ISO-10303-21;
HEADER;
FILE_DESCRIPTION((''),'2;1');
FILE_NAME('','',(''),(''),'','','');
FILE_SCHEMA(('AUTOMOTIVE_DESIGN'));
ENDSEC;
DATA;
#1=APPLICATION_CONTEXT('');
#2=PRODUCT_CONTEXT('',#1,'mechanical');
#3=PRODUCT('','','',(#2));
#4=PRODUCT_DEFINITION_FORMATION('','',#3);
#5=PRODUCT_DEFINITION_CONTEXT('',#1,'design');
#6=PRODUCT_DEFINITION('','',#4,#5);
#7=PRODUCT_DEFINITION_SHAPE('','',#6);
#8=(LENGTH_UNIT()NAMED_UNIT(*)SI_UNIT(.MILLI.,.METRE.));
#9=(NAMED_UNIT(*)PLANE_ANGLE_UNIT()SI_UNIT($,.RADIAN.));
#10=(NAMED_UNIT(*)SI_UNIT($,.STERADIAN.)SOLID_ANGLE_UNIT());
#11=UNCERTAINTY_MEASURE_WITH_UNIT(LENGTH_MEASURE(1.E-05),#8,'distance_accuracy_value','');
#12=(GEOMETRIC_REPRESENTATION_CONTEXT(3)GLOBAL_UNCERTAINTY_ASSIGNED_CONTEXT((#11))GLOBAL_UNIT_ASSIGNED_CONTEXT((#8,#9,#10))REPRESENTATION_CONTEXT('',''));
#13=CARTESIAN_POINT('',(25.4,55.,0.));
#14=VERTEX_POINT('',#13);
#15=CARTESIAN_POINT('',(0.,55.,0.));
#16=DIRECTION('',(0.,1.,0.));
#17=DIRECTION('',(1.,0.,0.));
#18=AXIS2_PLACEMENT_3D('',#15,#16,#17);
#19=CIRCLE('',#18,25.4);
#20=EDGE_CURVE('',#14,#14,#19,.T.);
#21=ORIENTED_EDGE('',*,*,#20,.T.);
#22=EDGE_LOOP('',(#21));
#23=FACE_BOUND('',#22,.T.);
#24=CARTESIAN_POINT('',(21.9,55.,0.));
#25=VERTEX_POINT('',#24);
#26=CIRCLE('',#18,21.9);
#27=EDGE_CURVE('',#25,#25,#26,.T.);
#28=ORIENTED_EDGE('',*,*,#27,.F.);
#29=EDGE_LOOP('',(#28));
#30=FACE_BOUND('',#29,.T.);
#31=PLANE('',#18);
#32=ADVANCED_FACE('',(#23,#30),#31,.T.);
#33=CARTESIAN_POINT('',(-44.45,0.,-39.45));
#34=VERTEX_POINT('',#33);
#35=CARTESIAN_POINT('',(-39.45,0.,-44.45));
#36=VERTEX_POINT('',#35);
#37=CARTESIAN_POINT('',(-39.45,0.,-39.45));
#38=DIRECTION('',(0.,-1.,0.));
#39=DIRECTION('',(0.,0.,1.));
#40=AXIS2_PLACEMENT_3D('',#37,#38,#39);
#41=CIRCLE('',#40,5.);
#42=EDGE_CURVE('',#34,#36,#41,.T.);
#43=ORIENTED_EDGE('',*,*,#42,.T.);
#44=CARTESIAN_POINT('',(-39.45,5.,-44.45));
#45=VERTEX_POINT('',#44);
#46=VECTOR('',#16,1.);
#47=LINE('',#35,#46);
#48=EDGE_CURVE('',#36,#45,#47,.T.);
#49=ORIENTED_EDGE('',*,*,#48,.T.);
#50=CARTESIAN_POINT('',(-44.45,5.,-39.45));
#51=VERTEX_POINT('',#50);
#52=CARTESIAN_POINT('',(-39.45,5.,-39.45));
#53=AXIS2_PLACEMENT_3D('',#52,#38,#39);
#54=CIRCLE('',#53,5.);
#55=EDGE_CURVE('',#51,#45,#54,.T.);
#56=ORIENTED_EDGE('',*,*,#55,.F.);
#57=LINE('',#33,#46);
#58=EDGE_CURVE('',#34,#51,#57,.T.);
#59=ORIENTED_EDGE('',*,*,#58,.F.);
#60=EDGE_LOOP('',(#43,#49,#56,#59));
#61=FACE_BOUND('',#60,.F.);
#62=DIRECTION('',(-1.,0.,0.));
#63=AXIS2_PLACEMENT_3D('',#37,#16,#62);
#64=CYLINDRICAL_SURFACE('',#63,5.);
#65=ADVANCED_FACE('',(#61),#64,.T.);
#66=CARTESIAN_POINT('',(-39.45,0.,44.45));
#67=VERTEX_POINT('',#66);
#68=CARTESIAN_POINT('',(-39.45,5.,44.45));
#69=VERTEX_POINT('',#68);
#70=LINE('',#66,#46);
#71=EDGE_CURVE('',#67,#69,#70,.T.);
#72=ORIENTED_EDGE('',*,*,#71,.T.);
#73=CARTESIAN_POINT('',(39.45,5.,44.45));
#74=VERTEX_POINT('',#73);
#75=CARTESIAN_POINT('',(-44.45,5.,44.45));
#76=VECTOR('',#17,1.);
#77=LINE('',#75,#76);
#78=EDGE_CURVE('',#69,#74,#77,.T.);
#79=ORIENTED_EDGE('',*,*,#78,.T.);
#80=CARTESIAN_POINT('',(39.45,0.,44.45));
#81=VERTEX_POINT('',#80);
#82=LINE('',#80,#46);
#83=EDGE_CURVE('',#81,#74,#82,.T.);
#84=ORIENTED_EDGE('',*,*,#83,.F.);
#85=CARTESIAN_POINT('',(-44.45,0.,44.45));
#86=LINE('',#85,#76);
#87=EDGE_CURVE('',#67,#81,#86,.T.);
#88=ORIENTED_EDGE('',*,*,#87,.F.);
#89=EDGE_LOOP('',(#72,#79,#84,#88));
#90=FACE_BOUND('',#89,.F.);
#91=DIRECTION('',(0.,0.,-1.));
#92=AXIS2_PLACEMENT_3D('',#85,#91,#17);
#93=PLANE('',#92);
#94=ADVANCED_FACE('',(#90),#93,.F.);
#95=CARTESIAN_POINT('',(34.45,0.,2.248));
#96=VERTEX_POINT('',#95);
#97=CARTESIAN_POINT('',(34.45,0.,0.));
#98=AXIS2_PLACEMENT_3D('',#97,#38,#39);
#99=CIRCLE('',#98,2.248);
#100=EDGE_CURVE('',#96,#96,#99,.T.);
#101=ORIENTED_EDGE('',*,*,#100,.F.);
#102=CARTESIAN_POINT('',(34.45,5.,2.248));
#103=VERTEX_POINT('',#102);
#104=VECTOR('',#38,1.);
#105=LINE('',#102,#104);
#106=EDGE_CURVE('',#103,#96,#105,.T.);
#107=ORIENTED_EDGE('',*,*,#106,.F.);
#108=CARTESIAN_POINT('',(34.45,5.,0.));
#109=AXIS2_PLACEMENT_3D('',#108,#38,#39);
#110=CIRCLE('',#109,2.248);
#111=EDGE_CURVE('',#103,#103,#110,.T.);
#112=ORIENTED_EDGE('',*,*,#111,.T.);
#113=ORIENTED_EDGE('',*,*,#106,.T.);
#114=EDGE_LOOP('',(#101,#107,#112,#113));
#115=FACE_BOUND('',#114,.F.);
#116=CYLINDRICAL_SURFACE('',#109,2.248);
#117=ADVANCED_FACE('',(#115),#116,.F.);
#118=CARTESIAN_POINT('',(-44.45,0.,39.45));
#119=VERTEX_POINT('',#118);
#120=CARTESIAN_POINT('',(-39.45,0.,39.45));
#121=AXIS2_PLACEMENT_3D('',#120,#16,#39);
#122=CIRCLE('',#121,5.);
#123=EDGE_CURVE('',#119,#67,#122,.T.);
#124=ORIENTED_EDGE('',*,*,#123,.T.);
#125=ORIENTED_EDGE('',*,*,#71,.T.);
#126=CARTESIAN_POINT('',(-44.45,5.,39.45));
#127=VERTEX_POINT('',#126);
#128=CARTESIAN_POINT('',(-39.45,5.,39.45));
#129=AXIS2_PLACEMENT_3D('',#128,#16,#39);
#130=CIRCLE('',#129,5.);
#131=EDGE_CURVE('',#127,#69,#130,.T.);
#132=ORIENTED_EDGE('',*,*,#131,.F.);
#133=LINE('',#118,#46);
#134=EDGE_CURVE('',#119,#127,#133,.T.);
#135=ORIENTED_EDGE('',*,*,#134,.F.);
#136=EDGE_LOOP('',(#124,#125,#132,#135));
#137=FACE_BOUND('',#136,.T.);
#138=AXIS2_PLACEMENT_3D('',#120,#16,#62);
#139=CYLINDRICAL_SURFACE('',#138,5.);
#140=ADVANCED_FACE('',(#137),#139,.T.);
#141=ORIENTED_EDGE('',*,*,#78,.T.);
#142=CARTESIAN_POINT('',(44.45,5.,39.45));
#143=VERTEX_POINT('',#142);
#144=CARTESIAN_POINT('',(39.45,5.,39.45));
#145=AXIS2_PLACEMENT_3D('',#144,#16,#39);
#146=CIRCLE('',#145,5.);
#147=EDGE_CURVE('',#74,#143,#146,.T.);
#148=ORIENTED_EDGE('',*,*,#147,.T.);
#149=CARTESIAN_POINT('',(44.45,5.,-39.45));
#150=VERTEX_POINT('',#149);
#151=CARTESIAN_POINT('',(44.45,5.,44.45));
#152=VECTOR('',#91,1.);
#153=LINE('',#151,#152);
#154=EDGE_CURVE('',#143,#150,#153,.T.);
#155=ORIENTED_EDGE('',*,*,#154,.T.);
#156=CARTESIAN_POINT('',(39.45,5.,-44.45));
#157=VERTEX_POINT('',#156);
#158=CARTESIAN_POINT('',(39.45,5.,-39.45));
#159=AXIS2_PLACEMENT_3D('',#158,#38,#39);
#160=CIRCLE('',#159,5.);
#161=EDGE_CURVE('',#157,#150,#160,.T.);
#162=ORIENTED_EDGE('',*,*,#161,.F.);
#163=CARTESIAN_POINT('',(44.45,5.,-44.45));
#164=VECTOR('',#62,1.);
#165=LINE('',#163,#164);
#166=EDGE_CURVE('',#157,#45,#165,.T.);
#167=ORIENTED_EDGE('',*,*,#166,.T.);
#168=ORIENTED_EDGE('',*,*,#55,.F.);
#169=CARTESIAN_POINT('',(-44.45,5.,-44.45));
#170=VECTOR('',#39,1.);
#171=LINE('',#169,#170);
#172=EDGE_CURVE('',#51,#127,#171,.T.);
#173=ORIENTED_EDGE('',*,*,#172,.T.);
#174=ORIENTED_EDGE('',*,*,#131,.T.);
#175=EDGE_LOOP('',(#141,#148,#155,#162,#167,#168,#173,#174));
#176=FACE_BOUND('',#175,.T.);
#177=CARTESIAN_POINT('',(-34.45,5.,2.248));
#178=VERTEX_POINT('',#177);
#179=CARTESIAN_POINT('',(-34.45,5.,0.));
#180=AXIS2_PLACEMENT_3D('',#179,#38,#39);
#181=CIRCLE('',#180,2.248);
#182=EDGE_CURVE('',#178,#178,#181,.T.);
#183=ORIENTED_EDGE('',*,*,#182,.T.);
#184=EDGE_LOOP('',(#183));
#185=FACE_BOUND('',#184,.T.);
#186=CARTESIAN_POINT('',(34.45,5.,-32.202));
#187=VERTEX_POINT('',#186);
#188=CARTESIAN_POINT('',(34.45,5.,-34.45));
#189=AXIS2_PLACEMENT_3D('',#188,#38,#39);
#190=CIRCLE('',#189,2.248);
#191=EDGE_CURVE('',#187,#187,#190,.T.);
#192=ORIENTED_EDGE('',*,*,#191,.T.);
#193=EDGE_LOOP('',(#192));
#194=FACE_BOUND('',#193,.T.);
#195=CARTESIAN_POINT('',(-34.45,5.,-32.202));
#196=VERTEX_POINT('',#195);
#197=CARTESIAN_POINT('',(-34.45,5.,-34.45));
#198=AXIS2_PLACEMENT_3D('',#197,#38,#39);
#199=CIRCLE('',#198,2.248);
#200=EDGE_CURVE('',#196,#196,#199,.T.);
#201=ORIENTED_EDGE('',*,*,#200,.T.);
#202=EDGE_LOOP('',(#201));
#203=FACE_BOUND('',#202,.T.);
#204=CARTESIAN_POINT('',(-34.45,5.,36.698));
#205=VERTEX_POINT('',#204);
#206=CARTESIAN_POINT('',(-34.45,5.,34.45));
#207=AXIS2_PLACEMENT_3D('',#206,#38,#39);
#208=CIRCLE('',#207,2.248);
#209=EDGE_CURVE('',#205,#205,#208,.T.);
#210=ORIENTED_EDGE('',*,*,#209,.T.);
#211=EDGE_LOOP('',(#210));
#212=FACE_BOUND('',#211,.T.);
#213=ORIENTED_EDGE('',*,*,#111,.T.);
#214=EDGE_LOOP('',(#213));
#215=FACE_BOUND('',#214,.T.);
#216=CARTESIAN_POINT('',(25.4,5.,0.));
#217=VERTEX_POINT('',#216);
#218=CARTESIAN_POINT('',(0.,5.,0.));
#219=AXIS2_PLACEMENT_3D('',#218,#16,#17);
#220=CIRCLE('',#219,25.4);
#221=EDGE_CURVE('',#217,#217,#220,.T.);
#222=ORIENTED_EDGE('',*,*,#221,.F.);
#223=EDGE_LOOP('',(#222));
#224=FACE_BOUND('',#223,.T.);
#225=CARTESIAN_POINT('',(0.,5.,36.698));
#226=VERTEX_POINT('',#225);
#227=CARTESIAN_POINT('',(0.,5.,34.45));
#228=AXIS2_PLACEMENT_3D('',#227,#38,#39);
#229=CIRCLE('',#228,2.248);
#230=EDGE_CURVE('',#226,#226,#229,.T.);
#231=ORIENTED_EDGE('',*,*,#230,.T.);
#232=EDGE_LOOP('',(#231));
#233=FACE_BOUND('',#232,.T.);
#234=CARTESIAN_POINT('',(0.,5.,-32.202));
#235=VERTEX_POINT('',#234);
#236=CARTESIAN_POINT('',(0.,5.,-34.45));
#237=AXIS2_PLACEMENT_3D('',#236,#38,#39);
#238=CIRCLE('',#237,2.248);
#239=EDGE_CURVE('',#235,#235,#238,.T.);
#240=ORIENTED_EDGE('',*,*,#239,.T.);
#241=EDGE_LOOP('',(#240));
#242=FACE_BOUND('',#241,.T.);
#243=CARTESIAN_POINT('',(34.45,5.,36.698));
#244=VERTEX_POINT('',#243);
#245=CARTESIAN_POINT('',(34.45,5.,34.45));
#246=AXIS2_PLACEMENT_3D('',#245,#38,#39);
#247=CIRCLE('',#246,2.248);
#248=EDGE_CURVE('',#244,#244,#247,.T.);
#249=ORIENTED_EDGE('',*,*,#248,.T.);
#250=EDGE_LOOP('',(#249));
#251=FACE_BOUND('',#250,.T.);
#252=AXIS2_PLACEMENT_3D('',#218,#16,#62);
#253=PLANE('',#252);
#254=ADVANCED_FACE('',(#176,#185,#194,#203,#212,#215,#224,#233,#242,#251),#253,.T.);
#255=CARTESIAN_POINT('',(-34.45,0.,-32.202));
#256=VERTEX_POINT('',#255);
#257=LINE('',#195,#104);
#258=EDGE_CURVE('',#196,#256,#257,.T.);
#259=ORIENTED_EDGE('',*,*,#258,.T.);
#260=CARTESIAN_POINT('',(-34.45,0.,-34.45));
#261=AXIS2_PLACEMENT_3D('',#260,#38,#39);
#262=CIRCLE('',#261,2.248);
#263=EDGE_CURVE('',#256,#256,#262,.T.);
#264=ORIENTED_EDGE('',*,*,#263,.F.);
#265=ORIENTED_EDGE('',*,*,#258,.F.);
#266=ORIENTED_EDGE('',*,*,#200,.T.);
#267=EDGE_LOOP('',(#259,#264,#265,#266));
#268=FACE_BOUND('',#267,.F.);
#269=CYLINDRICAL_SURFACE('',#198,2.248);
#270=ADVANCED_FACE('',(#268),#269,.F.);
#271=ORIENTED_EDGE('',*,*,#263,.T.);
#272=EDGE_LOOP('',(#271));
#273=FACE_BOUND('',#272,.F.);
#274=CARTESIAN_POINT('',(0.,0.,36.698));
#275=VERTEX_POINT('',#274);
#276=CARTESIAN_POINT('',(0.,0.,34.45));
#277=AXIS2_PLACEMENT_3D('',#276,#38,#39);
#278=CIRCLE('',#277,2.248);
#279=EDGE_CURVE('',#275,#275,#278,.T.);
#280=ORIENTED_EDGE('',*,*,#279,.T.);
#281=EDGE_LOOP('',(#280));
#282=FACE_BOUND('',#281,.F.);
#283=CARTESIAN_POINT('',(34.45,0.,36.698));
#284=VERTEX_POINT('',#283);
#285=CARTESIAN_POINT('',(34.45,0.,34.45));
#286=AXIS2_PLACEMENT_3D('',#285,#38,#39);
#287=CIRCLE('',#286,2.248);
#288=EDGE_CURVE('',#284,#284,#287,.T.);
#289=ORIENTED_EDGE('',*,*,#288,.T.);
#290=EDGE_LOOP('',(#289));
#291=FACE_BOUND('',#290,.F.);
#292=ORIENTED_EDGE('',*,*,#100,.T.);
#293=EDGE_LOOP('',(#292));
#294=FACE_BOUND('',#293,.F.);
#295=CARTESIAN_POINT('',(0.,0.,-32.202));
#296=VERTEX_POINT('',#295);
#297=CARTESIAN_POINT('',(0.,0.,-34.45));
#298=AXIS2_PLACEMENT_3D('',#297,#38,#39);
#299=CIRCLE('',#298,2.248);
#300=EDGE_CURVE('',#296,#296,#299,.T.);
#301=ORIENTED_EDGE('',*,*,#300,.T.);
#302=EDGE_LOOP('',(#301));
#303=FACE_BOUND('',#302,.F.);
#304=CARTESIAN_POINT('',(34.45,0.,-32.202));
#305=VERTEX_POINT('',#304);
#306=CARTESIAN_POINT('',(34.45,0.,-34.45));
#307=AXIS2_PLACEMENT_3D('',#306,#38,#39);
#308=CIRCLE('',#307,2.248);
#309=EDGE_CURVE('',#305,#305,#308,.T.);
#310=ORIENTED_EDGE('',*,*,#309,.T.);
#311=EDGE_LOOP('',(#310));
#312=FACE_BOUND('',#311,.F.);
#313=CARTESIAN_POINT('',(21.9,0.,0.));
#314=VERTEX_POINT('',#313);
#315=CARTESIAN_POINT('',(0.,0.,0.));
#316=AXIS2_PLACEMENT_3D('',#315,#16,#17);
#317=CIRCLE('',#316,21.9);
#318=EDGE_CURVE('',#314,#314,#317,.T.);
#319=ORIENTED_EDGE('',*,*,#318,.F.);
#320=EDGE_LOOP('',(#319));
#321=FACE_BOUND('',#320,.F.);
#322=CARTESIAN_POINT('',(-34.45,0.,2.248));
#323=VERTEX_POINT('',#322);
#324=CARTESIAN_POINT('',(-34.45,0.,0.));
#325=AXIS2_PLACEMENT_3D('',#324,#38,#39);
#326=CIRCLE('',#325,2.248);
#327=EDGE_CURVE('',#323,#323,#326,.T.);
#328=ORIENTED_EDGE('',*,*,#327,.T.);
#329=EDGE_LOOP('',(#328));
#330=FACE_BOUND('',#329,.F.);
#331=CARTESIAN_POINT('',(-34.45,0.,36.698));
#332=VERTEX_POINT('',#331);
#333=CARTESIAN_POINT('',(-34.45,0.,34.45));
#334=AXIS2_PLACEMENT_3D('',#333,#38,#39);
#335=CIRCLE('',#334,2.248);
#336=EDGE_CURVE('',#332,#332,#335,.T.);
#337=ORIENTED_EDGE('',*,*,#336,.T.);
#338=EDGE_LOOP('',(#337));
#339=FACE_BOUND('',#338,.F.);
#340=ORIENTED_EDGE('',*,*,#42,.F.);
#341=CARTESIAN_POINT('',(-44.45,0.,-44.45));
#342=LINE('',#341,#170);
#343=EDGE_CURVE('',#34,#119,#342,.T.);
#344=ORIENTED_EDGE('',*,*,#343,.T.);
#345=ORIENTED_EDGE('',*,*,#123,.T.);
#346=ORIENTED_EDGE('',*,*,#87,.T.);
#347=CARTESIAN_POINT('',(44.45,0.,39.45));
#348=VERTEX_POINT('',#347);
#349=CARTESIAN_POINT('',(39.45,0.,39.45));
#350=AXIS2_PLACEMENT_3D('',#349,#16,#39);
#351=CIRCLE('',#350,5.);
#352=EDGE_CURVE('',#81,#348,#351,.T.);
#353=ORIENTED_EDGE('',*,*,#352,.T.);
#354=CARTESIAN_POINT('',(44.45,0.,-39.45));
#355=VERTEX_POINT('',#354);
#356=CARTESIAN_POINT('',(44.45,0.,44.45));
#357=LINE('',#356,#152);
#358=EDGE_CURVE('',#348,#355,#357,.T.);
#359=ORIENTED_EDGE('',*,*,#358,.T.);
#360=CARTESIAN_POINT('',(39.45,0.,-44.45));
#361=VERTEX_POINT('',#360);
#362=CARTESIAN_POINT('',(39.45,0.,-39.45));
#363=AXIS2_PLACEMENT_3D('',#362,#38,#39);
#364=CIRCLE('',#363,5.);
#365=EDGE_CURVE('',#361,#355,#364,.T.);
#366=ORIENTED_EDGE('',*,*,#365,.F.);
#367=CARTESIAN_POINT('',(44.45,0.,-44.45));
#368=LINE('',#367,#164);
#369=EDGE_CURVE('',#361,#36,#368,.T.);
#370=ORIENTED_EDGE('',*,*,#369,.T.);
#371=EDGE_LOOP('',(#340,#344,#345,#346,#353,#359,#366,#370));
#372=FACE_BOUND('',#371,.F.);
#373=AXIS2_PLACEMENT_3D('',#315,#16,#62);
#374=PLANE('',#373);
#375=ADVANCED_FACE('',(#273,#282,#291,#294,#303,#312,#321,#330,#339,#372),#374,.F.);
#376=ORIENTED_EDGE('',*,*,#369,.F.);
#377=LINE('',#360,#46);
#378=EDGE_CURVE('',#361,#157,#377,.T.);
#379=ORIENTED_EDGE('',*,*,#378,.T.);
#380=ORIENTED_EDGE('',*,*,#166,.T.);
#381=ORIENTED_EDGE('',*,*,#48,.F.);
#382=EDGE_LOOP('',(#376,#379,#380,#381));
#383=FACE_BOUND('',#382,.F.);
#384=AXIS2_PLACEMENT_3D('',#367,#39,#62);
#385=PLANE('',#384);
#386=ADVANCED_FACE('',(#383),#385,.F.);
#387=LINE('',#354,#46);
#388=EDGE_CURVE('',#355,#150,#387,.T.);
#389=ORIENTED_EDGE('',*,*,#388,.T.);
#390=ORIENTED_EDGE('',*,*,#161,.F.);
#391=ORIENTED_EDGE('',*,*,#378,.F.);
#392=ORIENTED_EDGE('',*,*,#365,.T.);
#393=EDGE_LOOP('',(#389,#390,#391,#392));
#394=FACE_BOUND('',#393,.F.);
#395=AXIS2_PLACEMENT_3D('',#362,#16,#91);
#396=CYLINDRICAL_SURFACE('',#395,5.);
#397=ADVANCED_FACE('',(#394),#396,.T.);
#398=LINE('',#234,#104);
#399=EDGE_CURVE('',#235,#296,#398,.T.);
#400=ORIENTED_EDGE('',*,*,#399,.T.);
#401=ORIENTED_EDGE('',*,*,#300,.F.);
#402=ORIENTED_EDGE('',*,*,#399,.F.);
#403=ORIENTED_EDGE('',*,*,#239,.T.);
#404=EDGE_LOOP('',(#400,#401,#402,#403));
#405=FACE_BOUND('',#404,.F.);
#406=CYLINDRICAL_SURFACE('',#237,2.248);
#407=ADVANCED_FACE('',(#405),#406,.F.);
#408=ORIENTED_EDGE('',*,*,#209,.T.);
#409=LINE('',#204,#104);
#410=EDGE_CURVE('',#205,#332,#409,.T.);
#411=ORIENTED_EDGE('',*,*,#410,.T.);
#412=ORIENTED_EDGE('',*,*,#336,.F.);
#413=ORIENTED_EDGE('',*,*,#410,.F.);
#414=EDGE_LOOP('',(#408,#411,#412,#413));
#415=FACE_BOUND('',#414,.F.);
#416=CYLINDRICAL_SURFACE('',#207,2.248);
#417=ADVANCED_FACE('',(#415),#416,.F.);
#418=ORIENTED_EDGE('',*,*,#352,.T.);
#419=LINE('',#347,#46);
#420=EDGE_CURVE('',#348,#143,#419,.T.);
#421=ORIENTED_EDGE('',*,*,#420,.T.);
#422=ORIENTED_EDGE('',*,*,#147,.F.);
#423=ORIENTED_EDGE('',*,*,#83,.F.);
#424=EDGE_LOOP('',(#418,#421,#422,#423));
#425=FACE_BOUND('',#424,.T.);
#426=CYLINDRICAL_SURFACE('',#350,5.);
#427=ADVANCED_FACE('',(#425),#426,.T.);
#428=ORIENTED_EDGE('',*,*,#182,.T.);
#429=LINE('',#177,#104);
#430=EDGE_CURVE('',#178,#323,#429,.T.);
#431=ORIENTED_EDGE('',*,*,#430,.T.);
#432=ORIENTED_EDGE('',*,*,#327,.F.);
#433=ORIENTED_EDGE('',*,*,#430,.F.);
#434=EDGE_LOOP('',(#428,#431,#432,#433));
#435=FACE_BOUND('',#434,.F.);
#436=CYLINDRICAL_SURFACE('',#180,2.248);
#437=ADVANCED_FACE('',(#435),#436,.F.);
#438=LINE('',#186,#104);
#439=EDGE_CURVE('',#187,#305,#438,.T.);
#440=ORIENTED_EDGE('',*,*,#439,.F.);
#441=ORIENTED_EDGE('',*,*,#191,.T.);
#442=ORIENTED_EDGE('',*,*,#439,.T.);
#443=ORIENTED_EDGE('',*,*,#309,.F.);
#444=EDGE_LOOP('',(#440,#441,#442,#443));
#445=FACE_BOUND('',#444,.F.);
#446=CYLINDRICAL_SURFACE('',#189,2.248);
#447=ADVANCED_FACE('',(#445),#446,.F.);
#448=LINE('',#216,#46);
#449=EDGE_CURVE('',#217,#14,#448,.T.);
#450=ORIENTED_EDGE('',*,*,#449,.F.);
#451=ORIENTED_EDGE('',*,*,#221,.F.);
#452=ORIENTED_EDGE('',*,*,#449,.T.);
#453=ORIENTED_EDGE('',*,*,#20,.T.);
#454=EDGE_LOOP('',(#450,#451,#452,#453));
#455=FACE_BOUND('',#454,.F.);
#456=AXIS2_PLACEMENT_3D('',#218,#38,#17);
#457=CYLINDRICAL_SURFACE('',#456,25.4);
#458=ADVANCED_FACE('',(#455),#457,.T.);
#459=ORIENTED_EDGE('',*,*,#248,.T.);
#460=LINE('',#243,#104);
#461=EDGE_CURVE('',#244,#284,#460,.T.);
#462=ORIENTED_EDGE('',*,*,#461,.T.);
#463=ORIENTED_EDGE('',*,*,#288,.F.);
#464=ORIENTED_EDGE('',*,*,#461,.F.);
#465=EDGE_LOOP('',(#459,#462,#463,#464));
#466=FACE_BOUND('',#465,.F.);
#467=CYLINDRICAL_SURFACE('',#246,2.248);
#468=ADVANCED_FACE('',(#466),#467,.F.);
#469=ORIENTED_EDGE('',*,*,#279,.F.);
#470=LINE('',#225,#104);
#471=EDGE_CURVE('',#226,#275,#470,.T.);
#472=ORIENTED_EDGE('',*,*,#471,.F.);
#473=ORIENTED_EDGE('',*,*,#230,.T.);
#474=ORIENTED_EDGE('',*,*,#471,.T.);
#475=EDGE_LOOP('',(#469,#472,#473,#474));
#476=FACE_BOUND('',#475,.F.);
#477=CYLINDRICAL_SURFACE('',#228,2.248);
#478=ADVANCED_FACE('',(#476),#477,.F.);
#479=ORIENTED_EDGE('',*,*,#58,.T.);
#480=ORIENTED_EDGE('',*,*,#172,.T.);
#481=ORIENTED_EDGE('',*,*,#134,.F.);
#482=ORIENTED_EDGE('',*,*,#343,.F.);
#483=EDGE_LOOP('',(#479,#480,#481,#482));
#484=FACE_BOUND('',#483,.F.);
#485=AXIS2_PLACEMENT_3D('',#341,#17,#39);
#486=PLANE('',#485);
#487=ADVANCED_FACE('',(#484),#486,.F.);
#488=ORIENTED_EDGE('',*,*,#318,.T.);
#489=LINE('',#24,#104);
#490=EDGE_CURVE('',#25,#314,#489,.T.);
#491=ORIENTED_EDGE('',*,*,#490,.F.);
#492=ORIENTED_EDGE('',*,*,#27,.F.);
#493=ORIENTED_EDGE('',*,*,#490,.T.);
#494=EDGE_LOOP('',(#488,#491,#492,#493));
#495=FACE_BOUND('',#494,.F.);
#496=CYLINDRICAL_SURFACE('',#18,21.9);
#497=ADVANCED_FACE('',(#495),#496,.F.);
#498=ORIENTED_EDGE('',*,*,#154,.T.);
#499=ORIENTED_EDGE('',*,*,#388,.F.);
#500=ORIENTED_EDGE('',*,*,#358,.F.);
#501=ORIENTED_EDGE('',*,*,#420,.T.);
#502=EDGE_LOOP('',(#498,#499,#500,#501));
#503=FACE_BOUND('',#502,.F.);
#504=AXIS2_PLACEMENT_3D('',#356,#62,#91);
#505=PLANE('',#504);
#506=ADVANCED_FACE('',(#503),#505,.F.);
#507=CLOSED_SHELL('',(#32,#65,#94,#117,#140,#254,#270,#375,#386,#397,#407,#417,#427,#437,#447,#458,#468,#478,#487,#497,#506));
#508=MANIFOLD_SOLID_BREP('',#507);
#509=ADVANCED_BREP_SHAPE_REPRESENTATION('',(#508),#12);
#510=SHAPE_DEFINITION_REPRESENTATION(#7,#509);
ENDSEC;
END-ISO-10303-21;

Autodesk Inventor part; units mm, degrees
ref_plane "YZ Plane" through (0, 0, 0) normal (1, 0, 0) x (0, 1, 0)
ref_plane "XZ Plane" through (0, 0, 0) normal (0, 1, 0) x (-1, 0, 0)
ref_plane "XY Plane" through (0, 0, 0) normal (0, 0, 1) x (1, 0, 0)
sketch "Sketch1" plane through (0, 0, 0) normal (0, 1, 0) x (-1, 0, 0)
  line L0 (44.45, 44.45) -> (-44.45, 44.45)
  line L1 (-44.45, 44.45) -> (-44.45, -44.45)
  line L2 (-44.45, -44.45) -> (44.45, -44.45)
  line L3 (44.45, -44.45) -> (44.45, 44.45)
  line L4 (44.45, 44.45) -> (-44.45, -44.45) construction
  line L5 (-44.45, 44.45) -> (44.45, -44.45) construction
  point P0 (0, 0)
  dimension "d0" = 88.9
  dimension "d1" = 88.9
extrude "Extrusion1" add sketch "Sketch1" along normal blind 5
sketch "Sketch2" plane through (0, 5, 0) normal (0, 1, 0) x (1, 0, 0)
  circle A0 centre (0, 0) radius 25.4
  dimension "d4" = 50.8
extrude "Extrusion2" add sketch "Sketch2" along normal blind 50
sketch "Sketch3" plane through (0, 5, 0) normal (0, 1, 0) x (1, 0, 0)
  line L0 (44.45, 44.45) -> (-44.45, 44.45) projected
  line L1 (-44.45, 44.45) -> (-44.45, -44.45) projected
  line L2 (44.45, -44.45) -> (44.45, 44.45) projected
  line L3 (-44.45, -44.45) -> (44.45, -44.45) projected
  point P0 (0, 0)
  point P1 (-34.45, 34.45)
  point P2 (0, 34.45)
  point P3 (34.45, 34.45)
  point P4 (34.45, 0)
  point P5 (34.45, -34.45)
  point P6 (0, -34.45)
  point P7 (-34.45, -34.45)
  point P8 (-34.45, 0)
  dimension "d14" = 10
  dimension "d15" = 10
  dimension "d16" = 10
  dimension "d17" = 0
  dimension "d18" = 10
  dimension "d19" = 10
  dimension "d20" = 10
  dimension "d21" = 0
  dimension "d22" = 10
  dimension "d23" = 10
  dimension "d24" = 10
  dimension "d25" = 0
  dimension "d26" = 10
  dimension "d27" = 10
  dimension "d28" = 10
  dimension "d29" = 0
hole "Hole1" at (-34.45, 5, -34.45) at (0, 5, -34.45) at (34.45, 5, -34.45) at (34.45, 5, 0) at (34.45, 5, 34.45) at (0, 5, 34.45) at (-34.45, 5, 34.45) at (-34.45, 5, 0) direction (0, -1, 0) diameter 4.496 end through all clearance for "Socket Head Cap Screw" size "#8" standard "Ansi Unified Screw Threads"
sketch "Sketch4" plane through (0, 55, 0) normal (0, 1, 0) x (1, 0, 0)
  circle A0 centre (0, 0) radius 21.9
  dimension "d30" = 43.8
extrude "Extrusion3" cut sketch "Sketch4" against normal up to next
fillet "Fillet1" radius 5 4 edges at (-44.45, 2.5, 44.45) (44.45, 2.5, 44.45) (44.45, 2.5, -44.45) (-44.45, 2.5, -44.45)
properties part number "duct_mount"
